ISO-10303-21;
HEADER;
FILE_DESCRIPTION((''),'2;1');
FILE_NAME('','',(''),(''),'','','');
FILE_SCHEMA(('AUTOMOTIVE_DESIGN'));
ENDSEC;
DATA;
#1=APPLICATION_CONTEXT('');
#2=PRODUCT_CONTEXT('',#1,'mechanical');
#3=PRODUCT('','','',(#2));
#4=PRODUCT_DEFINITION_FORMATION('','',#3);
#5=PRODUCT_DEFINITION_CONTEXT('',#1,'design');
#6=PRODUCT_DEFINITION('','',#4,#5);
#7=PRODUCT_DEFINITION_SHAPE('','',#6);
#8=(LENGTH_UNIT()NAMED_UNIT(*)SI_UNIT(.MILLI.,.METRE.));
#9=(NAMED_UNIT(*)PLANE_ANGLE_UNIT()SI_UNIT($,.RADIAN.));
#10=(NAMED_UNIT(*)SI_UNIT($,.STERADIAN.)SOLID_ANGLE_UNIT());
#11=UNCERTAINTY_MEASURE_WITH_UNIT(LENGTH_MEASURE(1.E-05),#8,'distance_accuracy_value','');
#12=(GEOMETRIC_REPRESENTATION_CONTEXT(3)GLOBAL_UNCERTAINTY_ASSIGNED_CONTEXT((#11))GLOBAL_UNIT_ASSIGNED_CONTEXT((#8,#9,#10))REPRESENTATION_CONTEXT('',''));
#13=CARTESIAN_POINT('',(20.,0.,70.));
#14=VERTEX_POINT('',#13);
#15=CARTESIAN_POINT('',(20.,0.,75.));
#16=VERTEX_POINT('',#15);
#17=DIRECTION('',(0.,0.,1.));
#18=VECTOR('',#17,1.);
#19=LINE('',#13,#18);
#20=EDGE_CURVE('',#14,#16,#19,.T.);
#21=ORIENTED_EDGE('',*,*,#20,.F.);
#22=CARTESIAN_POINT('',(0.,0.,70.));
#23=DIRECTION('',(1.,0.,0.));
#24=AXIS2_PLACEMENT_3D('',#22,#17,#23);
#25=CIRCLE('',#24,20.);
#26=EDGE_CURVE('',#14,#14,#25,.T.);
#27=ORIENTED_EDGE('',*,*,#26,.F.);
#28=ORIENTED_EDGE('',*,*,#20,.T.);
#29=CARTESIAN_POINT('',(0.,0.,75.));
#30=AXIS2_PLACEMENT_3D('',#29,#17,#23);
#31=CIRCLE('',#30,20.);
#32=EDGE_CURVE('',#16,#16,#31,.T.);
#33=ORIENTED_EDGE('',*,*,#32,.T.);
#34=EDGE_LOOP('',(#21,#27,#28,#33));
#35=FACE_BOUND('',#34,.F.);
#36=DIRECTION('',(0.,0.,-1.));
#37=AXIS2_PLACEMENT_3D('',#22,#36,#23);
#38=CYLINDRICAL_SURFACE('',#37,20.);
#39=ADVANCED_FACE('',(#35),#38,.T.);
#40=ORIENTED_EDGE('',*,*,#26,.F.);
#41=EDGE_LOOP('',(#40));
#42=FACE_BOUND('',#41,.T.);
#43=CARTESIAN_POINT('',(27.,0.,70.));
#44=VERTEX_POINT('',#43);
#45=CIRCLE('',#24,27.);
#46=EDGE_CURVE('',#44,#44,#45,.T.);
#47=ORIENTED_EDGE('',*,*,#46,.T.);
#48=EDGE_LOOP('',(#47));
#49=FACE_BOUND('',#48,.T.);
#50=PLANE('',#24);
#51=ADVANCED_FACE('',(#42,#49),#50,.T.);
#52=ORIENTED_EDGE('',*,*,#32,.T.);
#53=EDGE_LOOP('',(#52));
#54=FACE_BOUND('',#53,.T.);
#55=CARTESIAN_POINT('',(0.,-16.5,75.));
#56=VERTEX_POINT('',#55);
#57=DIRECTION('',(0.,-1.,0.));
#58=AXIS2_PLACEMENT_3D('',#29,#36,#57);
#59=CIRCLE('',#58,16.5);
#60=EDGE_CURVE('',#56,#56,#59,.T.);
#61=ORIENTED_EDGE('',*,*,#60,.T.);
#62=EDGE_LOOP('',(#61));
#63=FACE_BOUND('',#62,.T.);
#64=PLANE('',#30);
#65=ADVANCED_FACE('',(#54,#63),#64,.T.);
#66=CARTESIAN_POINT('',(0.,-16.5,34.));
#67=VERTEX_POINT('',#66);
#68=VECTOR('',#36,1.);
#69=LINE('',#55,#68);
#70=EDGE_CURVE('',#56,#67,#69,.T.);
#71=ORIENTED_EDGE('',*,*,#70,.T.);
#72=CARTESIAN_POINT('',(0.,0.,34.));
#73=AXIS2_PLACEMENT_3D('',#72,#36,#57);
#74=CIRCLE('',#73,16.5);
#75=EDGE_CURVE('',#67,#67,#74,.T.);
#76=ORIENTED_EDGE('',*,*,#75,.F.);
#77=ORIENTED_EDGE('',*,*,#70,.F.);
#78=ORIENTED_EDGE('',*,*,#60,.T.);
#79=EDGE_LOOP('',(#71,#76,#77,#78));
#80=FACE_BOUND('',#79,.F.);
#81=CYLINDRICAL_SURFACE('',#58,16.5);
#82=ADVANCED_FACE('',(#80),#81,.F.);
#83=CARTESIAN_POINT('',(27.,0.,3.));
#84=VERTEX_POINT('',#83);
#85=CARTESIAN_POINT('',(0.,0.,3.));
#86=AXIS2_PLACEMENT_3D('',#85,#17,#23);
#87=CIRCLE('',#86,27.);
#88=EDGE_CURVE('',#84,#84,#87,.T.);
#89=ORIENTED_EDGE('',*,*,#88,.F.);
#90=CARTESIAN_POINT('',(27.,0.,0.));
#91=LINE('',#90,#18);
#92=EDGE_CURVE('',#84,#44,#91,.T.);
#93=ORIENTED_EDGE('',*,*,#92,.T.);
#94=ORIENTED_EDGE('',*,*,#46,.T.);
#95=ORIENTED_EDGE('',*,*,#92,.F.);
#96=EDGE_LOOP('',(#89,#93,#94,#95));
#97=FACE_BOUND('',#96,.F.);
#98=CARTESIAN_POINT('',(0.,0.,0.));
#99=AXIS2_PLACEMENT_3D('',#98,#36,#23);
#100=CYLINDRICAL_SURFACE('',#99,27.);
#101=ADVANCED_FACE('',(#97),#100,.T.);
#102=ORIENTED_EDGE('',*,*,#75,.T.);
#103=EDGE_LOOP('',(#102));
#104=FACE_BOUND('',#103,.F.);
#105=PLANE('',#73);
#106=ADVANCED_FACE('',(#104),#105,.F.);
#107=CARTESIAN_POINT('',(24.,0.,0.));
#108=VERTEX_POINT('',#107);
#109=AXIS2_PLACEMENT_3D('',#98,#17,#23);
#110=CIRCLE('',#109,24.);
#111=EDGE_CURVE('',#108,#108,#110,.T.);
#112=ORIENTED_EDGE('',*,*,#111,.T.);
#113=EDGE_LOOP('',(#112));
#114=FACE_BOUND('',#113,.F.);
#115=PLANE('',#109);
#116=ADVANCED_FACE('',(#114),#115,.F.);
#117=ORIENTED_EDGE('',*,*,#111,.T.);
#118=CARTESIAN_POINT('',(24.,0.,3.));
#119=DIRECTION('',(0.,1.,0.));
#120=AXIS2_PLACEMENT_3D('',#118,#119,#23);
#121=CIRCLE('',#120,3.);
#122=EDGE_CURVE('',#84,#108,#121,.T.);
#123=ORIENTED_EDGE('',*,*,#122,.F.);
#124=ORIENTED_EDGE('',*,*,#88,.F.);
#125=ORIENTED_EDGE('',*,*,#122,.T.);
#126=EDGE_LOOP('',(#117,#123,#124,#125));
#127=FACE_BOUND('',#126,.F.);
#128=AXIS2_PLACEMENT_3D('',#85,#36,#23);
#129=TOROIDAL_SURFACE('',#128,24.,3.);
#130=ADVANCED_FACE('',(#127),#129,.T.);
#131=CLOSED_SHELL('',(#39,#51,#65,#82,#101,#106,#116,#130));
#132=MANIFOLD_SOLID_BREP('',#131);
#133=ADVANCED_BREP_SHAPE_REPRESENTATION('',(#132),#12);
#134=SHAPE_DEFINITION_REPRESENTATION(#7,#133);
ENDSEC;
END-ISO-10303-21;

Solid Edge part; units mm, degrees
sketch "Sketch1" plane through (0, 0, 0) normal (0, 0, 1) x (1, 0, 0)
  circle A0 centre (0, 0) radius 27
extrude "Protrusion1" add sketch "Sketch1" along normal blind 70
sketch "Sketch2" plane through (0, 0, 70) normal (0, 0, 1) x (1, 0, 0)
  circle A0 centre (0, 0) radius 20
extrude "ProtrusiónExtruida_2" add sketch "Sketch2" along normal blind 5
hole "Agujero_1" at (0, 0, 75) direction (0, 0, -1) diameter 33 depth 41
fillet "Redondeo_1" radius 3 1 edges at (-27, 0, 0)
